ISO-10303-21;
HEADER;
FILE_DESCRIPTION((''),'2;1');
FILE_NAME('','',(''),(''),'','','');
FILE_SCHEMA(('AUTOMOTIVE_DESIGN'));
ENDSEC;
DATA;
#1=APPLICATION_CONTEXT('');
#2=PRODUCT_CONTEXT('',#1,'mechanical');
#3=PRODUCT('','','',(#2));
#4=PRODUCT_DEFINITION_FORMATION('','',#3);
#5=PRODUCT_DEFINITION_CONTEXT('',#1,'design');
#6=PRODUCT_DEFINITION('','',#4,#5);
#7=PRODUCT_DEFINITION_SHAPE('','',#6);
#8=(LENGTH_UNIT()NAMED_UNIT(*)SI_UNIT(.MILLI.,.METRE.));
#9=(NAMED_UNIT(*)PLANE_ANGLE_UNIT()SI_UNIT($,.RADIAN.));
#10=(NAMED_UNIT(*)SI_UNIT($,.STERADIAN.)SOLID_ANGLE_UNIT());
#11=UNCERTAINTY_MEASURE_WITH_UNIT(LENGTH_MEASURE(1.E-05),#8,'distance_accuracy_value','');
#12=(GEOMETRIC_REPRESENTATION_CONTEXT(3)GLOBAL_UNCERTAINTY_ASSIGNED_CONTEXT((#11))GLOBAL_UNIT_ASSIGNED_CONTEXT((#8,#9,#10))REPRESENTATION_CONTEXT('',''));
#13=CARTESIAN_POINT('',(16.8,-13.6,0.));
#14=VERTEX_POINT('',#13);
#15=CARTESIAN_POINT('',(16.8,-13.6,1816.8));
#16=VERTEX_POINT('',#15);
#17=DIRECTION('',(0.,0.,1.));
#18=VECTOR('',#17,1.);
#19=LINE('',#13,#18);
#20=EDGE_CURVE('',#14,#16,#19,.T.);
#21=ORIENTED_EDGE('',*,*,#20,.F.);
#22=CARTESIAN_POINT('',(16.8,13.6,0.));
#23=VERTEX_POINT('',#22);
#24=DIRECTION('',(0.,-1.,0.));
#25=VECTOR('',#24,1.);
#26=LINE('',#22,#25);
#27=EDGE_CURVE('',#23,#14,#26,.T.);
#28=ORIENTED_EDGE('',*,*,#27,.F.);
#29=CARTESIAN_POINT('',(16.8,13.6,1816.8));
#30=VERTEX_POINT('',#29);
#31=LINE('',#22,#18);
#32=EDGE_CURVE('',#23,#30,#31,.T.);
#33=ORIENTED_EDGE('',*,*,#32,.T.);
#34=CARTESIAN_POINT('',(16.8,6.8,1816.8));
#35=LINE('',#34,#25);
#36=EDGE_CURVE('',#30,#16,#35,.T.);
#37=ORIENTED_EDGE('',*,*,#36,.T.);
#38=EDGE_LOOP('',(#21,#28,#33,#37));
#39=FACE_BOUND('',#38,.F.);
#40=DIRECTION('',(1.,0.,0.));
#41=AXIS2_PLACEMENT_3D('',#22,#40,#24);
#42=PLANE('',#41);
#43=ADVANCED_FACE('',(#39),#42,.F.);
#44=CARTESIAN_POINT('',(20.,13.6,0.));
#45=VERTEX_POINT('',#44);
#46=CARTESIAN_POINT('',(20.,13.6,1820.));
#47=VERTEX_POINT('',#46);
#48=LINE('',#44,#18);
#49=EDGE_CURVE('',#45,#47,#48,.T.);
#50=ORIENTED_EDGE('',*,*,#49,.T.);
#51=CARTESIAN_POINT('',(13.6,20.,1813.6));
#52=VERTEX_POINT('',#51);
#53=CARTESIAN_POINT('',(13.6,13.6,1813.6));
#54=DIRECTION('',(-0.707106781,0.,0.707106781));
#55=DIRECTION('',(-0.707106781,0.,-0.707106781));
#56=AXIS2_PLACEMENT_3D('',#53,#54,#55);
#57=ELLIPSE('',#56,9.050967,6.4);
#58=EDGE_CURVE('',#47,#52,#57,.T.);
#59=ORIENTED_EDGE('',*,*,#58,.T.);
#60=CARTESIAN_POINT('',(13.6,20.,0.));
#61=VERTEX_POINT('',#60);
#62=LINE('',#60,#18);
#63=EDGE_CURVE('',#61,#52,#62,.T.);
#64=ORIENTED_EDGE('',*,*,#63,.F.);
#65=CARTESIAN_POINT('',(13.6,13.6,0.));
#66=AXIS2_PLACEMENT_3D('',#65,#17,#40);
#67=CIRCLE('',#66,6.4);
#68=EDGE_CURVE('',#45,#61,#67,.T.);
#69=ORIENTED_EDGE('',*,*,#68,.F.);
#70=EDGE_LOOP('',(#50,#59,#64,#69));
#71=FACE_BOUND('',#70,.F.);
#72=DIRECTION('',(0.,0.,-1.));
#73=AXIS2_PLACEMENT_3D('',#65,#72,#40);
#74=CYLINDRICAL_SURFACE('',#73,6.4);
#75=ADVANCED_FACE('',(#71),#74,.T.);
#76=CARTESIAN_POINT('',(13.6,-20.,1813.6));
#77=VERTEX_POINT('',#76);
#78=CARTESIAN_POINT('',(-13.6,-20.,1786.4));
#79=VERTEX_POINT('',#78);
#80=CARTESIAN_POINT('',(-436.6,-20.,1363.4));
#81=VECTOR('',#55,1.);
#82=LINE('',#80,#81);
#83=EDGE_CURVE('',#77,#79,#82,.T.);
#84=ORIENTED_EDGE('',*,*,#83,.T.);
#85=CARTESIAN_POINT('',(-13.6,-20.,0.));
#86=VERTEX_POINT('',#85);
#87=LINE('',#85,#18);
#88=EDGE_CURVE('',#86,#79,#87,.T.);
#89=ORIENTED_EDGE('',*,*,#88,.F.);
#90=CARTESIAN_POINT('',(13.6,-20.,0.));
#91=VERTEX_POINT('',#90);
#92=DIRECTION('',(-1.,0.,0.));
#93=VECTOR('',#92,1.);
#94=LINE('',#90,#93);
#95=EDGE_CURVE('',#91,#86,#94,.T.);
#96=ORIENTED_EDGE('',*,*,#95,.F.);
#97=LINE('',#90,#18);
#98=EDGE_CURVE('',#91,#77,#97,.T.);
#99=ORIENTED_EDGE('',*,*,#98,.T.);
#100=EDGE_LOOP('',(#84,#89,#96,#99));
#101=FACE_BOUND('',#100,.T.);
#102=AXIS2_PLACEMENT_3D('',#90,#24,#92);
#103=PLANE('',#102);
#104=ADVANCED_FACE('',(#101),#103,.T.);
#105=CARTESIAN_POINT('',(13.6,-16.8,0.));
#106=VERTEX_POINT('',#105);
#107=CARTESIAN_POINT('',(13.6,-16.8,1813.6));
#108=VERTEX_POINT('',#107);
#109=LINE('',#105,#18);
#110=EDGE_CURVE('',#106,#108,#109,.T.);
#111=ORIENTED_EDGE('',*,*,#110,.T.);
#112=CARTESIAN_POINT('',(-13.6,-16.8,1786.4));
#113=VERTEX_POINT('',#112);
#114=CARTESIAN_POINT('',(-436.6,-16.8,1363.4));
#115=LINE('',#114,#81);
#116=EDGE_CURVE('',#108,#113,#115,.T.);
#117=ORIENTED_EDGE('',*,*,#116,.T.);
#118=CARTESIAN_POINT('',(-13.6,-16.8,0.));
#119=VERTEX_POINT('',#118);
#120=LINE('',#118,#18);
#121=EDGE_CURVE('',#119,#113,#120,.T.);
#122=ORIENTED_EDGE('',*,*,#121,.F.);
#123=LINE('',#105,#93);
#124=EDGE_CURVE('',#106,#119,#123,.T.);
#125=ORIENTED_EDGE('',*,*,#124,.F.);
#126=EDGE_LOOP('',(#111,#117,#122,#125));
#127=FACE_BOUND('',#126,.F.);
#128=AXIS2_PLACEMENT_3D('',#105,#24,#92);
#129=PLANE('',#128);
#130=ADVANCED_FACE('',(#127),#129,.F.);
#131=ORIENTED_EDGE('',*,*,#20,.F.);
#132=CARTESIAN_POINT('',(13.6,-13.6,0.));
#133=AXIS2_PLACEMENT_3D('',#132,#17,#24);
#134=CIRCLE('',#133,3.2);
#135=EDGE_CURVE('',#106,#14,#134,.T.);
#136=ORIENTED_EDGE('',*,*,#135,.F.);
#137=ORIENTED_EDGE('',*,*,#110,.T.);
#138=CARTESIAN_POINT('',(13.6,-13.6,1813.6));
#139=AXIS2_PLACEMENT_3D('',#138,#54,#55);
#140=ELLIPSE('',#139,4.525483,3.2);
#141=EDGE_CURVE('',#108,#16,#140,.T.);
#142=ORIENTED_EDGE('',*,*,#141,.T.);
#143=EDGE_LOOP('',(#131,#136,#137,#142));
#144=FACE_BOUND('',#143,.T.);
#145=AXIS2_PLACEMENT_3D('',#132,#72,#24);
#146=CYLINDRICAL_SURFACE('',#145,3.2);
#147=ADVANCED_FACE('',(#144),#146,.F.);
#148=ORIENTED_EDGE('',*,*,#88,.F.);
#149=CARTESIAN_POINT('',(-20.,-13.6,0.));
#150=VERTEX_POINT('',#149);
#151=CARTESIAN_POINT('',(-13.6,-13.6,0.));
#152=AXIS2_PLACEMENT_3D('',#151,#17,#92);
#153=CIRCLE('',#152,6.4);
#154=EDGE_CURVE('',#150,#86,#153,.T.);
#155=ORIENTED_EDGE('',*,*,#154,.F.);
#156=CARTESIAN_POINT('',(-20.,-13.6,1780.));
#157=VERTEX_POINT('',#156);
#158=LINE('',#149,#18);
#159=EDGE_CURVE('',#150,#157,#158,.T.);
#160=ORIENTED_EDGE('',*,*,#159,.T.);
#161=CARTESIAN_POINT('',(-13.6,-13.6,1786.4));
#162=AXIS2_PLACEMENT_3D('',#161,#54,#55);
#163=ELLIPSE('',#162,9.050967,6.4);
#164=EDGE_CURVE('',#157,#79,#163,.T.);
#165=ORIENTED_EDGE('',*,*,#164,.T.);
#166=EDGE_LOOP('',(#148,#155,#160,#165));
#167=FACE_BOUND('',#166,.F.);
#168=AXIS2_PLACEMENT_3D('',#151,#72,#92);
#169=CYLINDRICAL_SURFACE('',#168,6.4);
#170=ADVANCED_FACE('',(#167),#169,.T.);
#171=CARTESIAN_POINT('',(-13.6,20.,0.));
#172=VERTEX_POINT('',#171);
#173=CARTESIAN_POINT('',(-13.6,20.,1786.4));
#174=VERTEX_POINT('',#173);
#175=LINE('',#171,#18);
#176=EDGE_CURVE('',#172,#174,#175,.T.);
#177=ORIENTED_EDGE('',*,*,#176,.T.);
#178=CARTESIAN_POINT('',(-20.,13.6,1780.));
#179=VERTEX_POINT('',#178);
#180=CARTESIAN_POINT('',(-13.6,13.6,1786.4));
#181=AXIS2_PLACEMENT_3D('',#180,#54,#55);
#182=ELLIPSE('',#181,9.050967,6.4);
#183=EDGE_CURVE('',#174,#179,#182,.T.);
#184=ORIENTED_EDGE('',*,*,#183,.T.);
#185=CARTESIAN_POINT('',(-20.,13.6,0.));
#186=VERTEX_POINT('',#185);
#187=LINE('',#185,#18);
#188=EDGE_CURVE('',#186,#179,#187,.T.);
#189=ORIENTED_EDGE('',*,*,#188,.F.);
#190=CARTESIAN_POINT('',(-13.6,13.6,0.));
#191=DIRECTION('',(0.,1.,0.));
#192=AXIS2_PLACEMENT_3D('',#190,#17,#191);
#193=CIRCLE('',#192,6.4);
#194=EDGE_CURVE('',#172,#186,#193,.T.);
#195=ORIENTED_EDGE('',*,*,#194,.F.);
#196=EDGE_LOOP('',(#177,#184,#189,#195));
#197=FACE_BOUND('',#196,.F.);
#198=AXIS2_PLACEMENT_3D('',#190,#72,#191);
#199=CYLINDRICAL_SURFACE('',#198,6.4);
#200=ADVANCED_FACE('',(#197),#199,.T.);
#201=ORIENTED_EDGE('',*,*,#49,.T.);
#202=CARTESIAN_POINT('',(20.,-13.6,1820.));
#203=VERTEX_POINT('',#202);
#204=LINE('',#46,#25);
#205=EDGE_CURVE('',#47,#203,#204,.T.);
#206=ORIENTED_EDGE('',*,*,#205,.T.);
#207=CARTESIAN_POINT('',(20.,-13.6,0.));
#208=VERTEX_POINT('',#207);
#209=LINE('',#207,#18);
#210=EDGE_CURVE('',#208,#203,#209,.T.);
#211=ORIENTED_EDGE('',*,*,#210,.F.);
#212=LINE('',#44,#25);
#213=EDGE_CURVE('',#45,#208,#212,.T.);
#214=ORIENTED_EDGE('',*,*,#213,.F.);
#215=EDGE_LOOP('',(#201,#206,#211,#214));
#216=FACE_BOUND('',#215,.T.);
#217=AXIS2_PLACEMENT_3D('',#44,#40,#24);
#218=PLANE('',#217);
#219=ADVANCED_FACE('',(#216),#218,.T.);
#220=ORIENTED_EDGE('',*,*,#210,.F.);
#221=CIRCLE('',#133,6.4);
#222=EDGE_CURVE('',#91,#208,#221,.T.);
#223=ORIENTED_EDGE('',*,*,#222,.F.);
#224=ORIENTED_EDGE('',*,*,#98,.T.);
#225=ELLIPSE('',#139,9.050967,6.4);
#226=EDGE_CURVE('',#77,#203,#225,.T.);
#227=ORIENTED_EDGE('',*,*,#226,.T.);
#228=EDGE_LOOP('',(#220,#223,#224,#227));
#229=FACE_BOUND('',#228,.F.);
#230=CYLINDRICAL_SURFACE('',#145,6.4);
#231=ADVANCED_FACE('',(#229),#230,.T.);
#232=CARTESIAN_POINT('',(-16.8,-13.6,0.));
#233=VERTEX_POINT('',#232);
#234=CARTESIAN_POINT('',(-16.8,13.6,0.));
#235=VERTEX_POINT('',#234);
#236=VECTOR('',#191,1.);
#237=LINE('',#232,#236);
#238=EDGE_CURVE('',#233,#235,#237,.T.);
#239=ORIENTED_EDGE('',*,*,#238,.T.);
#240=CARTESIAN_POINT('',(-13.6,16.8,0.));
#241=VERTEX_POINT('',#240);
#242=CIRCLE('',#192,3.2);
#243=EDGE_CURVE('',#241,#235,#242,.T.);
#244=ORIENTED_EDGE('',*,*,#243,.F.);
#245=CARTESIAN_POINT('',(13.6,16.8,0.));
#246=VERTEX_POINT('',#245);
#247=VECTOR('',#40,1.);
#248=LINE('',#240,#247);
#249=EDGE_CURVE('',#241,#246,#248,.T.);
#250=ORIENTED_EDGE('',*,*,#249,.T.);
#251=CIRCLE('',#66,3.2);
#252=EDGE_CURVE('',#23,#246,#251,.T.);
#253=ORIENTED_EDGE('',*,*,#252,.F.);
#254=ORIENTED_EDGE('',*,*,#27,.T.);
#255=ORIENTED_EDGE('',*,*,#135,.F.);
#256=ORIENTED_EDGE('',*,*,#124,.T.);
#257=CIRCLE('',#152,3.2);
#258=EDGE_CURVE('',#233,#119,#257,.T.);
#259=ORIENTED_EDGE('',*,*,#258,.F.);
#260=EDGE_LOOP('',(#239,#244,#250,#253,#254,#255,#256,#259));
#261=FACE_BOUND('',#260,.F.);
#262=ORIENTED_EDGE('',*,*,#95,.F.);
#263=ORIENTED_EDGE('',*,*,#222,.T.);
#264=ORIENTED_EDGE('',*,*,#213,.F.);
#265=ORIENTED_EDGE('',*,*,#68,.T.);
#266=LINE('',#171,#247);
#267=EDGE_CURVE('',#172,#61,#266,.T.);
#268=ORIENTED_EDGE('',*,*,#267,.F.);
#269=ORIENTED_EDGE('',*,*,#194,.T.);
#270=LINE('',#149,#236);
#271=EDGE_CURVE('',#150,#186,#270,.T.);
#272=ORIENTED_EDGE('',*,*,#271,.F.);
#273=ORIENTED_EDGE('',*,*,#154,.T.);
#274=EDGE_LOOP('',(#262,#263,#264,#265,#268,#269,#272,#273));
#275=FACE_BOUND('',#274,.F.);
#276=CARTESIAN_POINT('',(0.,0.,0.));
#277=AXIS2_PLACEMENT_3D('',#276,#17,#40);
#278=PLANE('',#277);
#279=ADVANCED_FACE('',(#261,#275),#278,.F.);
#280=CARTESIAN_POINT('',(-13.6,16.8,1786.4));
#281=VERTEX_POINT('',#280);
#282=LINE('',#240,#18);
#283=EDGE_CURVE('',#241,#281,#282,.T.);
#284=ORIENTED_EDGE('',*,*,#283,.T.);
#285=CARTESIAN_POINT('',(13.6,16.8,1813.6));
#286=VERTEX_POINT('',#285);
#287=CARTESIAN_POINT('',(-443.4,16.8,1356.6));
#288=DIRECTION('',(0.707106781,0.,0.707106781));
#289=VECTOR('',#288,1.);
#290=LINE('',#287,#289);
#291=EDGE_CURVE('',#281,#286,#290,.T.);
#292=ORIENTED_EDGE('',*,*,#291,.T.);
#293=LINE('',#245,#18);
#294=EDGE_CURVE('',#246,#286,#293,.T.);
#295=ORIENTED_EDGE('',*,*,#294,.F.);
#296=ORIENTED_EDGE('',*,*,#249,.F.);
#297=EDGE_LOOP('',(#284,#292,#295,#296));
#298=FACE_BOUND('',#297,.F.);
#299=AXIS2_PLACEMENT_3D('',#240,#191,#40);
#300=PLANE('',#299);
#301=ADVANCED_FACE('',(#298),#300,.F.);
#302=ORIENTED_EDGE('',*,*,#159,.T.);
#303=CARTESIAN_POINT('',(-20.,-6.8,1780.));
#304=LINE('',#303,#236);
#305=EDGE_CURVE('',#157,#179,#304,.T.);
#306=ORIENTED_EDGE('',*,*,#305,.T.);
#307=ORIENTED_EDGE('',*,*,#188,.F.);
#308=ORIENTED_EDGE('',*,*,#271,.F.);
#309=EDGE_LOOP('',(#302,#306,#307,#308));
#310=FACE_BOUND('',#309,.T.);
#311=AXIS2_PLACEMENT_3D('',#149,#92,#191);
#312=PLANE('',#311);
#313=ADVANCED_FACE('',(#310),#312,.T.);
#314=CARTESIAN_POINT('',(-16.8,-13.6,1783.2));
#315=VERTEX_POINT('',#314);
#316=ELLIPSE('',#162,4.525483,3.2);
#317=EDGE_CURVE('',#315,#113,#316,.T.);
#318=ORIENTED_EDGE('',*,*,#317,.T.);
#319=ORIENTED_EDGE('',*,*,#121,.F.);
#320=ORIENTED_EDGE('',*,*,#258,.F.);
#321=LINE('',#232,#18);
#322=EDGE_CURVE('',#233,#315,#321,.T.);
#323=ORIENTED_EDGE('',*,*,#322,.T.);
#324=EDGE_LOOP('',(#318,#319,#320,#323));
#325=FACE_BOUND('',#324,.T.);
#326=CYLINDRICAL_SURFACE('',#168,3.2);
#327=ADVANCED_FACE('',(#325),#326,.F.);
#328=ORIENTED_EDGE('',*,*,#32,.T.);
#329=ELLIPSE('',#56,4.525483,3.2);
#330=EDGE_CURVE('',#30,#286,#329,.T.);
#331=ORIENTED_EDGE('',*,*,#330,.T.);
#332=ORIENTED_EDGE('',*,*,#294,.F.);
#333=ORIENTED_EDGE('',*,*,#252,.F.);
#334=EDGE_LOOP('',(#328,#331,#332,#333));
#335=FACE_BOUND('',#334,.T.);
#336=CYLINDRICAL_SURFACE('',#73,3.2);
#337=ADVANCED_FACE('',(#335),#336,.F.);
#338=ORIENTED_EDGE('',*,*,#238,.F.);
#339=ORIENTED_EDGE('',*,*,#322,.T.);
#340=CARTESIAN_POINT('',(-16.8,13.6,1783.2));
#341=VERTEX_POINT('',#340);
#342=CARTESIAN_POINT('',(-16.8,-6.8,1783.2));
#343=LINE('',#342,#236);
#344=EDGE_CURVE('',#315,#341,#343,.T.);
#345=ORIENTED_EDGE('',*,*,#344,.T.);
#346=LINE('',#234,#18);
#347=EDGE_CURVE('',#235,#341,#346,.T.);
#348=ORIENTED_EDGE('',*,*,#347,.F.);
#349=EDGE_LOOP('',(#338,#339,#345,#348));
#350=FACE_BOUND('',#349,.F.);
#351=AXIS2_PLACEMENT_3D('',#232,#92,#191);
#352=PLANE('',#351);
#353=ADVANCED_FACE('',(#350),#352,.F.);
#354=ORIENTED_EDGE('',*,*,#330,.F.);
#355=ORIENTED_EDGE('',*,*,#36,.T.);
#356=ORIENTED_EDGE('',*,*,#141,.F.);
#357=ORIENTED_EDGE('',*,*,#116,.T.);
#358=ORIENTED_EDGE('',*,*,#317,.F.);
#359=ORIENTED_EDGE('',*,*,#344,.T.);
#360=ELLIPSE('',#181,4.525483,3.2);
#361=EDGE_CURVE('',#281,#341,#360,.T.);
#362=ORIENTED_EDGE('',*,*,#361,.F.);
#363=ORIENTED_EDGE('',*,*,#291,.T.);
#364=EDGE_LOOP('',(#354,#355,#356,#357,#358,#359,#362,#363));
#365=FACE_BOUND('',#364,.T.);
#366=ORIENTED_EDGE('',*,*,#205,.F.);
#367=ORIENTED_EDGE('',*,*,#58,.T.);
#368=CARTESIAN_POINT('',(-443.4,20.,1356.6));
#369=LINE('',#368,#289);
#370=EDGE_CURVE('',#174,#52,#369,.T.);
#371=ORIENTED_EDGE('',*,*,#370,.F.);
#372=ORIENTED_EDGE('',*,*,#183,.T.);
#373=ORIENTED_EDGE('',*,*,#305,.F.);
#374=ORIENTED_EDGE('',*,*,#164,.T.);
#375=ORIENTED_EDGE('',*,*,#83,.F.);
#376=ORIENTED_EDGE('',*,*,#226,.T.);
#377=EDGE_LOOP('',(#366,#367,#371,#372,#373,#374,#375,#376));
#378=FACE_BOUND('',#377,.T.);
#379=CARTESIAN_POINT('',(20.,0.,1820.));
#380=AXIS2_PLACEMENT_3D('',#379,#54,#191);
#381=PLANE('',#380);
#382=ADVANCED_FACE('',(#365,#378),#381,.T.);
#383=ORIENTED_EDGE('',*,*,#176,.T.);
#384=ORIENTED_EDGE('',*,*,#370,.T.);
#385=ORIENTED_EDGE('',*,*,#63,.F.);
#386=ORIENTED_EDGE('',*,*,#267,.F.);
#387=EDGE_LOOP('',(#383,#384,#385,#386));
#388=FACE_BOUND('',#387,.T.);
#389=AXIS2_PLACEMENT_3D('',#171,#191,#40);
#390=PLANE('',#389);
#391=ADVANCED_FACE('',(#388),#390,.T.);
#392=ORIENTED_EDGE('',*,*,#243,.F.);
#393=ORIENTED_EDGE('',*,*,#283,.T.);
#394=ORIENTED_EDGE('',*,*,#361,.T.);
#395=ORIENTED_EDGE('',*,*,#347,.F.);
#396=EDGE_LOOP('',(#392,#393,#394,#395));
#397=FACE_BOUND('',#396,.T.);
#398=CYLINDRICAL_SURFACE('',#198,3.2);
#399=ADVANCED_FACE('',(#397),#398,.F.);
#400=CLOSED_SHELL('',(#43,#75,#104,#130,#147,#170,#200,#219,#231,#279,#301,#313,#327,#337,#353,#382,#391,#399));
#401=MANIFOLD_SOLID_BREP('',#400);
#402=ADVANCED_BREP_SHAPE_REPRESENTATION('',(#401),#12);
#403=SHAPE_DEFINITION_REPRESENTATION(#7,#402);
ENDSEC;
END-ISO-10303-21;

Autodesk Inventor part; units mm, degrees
ref_plane "Start plane" through (0, 0, 0) normal (0, 0, 1) x (1, 0, 0)
ref_plane "End plane" through (0, 0, 1820) normal (0, 0, 1) x (1, 0, 0)
sketch "Sketch" plane through (0, 0, 0) normal (0, 0, 1) x (1, 0, 0)
  line L0 (-20, -13.6) -> (-20, 13.6)
  line L1 (-13.6, 20) -> (13.6, 20)
  line L2 (20, 13.6) -> (20, -13.6)
  line L3 (13.6, -20) -> (-13.6, -20)
  arc A0 (-20, -13.6) -> (-13.6, -20) centre (-13.6, -13.6) ccw
  arc A1 (-13.6, 20) -> (-20, 13.6) centre (-13.6, 13.6) ccw
  arc A2 (20, 13.6) -> (13.6, 20) centre (13.6, 13.6) ccw
  arc A3 (13.6, -20) -> (20, -13.6) centre (13.6, -13.6) ccw
  arc A4 (-13.6, 16.8) -> (-16.8, 13.6) centre (-13.6, 13.6) ccw
  line L4 (-13.6, 16.8) -> (13.6, 16.8)
  arc A5 (16.8, 13.6) -> (13.6, 16.8) centre (13.6, 13.6) ccw
  line L5 (16.8, 13.6) -> (16.8, -13.6)
  arc A6 (13.6, -16.8) -> (16.8, -13.6) centre (13.6, -13.6) ccw
  line L6 (13.6, -16.8) -> (-13.6, -16.8)
  arc A7 (-16.8, -13.6) -> (-13.6, -16.8) centre (-13.6, -13.6) ccw
  line L7 (-16.8, -13.6) -> (-16.8, 13.6)
  line L8 (0, 29.8557) -> (0, -29.8557) construction
  line L9 (-29.8557, 0) -> (29.8557, 0) construction
  dimension "d7" = 6.4
  dimension "d10" = 40
  dimension "d11" = 40
  dimension "d12" = 3.2
  dimension "d15" = 20
  dimension "d16" = 20
extrude "Body" add sketch "Sketch" along normal up to surface (1820 mm away) from surface at 0
sketch "Sketch3" plane through (0, 0, 0) normal (0, 0, 1) x (1, 0, 0)
  line L0 (0, 0) -> (10, 0)
ref_plane "Work Plane3" through (0, 0, 0) normal (0, -1, 0) x (1, 0, 0)
sketch "Sketch4" plane through (0, 0, 0) normal (0, -1, 0) x (1, 0, 0)
  line L0 (-2, 0) -> (12, 0)
  line L1 (-2, 1820) -> (12, 1820)
  dimension "d18" = 1820
ref_plane "Work Plane4" through (20, 0, 1820) normal (-0.7071, 0, 0.7071) x (0.7071, 0, 0.7071)
split "Split1" plane through (20, 0, 1820) removes the side toward (-0.7071, 0, 0.7071)
equation "\"d7\" = G_IR"
equation "\"d10\" = G_H"
equation "\"d11\" = G_W"
equation "\"d12\" = G_T"
equation "\"d15\" = 0.5 * d10"
equation "\"d16\" = 0.5 * d11"
equation "\"d3\" = G_L"
equation "\"G_W\" = 40"
equation "\"G_H\" = 40"
equation "\"G_T\" = 3.2"
equation "\"G_IR\" = 6.4"
equation "\"G_L\" = d18"
equation "\"G_OFFSET_START\" = 0"
equation "\"G_OFFSET_END\" = 20"
equation "\"d14\" = G_OFFSET_END + B_L"
equation "\"B_L\" = 1800"
properties part number "BSI 40 x 40 x 3.2 00000002" material "Steel, Mild"
